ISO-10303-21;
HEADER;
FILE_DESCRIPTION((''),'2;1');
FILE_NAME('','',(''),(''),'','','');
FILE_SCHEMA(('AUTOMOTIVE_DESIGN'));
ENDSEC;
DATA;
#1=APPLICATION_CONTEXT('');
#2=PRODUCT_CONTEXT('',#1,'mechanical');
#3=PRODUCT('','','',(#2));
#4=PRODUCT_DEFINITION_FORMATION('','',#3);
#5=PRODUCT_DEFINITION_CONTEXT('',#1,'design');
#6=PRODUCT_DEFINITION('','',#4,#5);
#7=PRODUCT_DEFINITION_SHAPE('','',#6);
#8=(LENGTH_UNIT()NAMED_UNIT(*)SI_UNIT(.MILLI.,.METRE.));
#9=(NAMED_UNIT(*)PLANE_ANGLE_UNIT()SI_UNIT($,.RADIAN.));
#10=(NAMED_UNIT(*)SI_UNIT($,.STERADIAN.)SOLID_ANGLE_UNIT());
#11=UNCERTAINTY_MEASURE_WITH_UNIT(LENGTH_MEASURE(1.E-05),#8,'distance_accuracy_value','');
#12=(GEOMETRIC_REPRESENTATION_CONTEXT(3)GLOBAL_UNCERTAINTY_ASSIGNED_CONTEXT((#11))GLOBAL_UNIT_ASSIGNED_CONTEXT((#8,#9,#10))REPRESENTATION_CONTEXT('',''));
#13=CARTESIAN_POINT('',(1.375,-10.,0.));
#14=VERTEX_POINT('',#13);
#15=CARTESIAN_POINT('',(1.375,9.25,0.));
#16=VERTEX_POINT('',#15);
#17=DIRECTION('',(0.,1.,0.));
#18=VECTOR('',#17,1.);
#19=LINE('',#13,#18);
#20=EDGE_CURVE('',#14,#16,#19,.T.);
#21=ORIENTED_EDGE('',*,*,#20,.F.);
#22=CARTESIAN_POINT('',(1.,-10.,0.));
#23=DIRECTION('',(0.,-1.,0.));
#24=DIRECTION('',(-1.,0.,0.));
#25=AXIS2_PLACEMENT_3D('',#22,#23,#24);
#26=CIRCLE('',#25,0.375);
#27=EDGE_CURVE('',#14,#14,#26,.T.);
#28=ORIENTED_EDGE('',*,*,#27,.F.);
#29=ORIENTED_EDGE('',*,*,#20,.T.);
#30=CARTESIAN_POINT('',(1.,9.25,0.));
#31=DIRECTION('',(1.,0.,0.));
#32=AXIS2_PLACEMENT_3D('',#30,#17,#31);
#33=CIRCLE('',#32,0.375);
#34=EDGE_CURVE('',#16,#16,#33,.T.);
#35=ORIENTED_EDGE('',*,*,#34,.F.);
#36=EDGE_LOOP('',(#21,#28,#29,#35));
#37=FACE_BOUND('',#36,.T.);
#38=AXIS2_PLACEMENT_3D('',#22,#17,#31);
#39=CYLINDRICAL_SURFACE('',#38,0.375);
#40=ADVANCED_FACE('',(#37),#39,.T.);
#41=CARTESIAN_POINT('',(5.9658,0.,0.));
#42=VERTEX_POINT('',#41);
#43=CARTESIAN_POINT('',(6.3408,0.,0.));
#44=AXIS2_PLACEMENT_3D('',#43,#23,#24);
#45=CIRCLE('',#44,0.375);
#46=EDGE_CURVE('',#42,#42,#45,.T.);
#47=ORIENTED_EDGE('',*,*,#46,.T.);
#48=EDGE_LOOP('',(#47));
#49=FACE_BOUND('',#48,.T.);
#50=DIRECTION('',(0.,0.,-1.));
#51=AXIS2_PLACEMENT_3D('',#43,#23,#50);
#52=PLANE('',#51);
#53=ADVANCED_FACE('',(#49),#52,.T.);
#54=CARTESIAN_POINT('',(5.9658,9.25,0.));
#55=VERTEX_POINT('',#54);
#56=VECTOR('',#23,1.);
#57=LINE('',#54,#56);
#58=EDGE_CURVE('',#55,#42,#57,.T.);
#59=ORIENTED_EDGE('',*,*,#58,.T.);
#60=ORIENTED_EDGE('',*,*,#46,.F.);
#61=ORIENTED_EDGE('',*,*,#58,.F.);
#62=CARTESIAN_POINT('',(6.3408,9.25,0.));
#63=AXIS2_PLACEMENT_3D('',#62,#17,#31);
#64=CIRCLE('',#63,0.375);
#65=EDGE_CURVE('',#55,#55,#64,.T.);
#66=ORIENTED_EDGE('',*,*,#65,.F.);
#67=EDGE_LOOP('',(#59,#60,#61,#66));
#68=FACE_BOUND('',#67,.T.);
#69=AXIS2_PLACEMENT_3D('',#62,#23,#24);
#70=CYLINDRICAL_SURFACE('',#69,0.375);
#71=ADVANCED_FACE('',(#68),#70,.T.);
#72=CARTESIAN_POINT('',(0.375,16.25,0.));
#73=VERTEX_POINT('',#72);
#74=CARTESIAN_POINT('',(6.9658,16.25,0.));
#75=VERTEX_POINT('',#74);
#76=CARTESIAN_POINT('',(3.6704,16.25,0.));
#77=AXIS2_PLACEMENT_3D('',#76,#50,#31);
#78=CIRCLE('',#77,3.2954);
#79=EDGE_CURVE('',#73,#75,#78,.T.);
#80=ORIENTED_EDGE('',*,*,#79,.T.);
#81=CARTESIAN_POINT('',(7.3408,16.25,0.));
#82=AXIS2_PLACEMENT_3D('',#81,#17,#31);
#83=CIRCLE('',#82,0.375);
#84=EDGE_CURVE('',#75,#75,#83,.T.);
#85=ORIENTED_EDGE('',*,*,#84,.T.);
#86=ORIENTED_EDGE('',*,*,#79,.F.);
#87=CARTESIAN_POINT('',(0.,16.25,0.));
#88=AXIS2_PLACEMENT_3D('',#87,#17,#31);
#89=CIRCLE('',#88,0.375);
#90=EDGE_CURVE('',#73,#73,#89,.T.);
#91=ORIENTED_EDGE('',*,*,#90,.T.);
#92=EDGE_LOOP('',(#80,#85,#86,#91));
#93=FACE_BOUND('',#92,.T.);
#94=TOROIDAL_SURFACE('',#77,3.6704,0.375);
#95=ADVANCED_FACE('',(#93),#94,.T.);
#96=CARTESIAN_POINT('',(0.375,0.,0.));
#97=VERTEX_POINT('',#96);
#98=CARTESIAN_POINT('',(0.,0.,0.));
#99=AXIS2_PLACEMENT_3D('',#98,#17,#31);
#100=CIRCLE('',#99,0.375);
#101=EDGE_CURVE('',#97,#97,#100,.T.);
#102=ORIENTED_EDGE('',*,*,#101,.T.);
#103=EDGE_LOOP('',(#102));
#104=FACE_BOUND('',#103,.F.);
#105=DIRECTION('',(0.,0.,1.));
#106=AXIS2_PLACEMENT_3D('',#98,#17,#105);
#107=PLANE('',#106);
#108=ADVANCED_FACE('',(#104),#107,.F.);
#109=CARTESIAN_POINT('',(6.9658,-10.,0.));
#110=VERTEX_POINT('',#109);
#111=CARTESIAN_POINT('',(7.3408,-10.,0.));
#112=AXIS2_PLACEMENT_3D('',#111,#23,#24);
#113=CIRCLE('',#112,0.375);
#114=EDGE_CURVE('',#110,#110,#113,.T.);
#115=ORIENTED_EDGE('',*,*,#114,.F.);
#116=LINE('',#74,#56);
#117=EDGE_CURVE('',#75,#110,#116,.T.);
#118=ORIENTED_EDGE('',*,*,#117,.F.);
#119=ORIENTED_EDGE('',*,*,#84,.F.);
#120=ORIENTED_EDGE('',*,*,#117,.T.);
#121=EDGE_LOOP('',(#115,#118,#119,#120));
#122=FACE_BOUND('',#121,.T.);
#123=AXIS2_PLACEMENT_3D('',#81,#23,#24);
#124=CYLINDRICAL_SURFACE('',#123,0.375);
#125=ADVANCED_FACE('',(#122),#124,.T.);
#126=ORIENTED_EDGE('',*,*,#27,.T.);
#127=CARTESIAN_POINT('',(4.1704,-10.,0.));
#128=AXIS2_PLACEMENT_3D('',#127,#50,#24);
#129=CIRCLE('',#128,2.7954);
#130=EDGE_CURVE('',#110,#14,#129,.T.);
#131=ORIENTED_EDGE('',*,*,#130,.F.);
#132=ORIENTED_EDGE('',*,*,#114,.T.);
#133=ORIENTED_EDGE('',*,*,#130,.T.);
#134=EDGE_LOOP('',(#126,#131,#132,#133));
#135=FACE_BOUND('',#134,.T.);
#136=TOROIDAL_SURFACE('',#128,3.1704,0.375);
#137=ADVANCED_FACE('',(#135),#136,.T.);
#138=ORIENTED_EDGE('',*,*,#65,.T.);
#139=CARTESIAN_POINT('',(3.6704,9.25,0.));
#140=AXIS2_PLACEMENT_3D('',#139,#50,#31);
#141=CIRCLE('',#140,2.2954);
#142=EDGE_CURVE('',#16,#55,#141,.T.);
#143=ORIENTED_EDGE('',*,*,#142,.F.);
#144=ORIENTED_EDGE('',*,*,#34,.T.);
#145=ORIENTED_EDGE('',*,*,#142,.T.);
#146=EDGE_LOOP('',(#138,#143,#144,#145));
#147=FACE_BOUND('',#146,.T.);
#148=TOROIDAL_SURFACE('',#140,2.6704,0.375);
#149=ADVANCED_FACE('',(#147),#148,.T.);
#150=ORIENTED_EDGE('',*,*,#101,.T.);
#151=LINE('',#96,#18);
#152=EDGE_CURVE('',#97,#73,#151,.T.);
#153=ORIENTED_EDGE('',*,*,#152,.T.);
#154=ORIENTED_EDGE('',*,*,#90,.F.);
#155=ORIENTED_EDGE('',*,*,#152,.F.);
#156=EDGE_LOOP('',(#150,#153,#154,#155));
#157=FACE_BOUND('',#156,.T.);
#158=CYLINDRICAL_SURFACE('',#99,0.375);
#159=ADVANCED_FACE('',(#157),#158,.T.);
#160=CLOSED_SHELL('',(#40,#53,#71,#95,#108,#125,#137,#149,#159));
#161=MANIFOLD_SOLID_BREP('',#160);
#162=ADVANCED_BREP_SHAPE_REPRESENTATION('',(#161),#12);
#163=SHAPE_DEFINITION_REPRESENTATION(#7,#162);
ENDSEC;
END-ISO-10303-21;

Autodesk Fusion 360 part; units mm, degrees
sketch "Sweep Path" plane through (0, 0, 0) normal (0, 0, 1) x (1, 0, 0)
  line L0 (-0.0796, 0) -> (-0.0796, 16.25)
  line L1 (-0.0796, 16.25) -> (7.4204, 16.25) construction
  line L2 (7.4204, 16.25) -> (7.4204, -10)
  line L3 (7.4204, -10) -> (0.9204, -10) construction
  line L4 (0.9204, -10) -> (0.9204, 9.25)
  line L5 (0.9204, 9.25) -> (6.4204, 9.25) construction
  line L6 (6.4204, 9.25) -> (6.4204, 0)
  arc A0 (7.4204, 16.25) -> (-0.0796, 16.25) centre (3.6704, 16.25) ccw
  arc A1 (6.4204, 9.25) -> (0.9204, 9.25) centre (3.6704, 9.25) ccw
  arc A2 (0.9204, -10) -> (7.4204, -10) centre (4.1704, -10) ccw
  dimension "d14" = 16.25
  dimension "d15" = 7.5
  dimension "d16" = 26.25
  dimension "d17" = 6.5
  dimension "d18" = 19.25
  dimension "d19" = 5.5
  dimension "d20" = 9.25
sketch "Sweep Profile" plane through (0, 0, 0) normal (0, 1, 0) x (1, 0, 0)
  circle A0 centre (0, 0) radius 0.375
  dimension "d21" = 0.75
sweep "Sweep1" add profiles "Sweep Profile" path "Sweep Path" along L0 A0 L2 A2 L4 A1 L6 section 1
